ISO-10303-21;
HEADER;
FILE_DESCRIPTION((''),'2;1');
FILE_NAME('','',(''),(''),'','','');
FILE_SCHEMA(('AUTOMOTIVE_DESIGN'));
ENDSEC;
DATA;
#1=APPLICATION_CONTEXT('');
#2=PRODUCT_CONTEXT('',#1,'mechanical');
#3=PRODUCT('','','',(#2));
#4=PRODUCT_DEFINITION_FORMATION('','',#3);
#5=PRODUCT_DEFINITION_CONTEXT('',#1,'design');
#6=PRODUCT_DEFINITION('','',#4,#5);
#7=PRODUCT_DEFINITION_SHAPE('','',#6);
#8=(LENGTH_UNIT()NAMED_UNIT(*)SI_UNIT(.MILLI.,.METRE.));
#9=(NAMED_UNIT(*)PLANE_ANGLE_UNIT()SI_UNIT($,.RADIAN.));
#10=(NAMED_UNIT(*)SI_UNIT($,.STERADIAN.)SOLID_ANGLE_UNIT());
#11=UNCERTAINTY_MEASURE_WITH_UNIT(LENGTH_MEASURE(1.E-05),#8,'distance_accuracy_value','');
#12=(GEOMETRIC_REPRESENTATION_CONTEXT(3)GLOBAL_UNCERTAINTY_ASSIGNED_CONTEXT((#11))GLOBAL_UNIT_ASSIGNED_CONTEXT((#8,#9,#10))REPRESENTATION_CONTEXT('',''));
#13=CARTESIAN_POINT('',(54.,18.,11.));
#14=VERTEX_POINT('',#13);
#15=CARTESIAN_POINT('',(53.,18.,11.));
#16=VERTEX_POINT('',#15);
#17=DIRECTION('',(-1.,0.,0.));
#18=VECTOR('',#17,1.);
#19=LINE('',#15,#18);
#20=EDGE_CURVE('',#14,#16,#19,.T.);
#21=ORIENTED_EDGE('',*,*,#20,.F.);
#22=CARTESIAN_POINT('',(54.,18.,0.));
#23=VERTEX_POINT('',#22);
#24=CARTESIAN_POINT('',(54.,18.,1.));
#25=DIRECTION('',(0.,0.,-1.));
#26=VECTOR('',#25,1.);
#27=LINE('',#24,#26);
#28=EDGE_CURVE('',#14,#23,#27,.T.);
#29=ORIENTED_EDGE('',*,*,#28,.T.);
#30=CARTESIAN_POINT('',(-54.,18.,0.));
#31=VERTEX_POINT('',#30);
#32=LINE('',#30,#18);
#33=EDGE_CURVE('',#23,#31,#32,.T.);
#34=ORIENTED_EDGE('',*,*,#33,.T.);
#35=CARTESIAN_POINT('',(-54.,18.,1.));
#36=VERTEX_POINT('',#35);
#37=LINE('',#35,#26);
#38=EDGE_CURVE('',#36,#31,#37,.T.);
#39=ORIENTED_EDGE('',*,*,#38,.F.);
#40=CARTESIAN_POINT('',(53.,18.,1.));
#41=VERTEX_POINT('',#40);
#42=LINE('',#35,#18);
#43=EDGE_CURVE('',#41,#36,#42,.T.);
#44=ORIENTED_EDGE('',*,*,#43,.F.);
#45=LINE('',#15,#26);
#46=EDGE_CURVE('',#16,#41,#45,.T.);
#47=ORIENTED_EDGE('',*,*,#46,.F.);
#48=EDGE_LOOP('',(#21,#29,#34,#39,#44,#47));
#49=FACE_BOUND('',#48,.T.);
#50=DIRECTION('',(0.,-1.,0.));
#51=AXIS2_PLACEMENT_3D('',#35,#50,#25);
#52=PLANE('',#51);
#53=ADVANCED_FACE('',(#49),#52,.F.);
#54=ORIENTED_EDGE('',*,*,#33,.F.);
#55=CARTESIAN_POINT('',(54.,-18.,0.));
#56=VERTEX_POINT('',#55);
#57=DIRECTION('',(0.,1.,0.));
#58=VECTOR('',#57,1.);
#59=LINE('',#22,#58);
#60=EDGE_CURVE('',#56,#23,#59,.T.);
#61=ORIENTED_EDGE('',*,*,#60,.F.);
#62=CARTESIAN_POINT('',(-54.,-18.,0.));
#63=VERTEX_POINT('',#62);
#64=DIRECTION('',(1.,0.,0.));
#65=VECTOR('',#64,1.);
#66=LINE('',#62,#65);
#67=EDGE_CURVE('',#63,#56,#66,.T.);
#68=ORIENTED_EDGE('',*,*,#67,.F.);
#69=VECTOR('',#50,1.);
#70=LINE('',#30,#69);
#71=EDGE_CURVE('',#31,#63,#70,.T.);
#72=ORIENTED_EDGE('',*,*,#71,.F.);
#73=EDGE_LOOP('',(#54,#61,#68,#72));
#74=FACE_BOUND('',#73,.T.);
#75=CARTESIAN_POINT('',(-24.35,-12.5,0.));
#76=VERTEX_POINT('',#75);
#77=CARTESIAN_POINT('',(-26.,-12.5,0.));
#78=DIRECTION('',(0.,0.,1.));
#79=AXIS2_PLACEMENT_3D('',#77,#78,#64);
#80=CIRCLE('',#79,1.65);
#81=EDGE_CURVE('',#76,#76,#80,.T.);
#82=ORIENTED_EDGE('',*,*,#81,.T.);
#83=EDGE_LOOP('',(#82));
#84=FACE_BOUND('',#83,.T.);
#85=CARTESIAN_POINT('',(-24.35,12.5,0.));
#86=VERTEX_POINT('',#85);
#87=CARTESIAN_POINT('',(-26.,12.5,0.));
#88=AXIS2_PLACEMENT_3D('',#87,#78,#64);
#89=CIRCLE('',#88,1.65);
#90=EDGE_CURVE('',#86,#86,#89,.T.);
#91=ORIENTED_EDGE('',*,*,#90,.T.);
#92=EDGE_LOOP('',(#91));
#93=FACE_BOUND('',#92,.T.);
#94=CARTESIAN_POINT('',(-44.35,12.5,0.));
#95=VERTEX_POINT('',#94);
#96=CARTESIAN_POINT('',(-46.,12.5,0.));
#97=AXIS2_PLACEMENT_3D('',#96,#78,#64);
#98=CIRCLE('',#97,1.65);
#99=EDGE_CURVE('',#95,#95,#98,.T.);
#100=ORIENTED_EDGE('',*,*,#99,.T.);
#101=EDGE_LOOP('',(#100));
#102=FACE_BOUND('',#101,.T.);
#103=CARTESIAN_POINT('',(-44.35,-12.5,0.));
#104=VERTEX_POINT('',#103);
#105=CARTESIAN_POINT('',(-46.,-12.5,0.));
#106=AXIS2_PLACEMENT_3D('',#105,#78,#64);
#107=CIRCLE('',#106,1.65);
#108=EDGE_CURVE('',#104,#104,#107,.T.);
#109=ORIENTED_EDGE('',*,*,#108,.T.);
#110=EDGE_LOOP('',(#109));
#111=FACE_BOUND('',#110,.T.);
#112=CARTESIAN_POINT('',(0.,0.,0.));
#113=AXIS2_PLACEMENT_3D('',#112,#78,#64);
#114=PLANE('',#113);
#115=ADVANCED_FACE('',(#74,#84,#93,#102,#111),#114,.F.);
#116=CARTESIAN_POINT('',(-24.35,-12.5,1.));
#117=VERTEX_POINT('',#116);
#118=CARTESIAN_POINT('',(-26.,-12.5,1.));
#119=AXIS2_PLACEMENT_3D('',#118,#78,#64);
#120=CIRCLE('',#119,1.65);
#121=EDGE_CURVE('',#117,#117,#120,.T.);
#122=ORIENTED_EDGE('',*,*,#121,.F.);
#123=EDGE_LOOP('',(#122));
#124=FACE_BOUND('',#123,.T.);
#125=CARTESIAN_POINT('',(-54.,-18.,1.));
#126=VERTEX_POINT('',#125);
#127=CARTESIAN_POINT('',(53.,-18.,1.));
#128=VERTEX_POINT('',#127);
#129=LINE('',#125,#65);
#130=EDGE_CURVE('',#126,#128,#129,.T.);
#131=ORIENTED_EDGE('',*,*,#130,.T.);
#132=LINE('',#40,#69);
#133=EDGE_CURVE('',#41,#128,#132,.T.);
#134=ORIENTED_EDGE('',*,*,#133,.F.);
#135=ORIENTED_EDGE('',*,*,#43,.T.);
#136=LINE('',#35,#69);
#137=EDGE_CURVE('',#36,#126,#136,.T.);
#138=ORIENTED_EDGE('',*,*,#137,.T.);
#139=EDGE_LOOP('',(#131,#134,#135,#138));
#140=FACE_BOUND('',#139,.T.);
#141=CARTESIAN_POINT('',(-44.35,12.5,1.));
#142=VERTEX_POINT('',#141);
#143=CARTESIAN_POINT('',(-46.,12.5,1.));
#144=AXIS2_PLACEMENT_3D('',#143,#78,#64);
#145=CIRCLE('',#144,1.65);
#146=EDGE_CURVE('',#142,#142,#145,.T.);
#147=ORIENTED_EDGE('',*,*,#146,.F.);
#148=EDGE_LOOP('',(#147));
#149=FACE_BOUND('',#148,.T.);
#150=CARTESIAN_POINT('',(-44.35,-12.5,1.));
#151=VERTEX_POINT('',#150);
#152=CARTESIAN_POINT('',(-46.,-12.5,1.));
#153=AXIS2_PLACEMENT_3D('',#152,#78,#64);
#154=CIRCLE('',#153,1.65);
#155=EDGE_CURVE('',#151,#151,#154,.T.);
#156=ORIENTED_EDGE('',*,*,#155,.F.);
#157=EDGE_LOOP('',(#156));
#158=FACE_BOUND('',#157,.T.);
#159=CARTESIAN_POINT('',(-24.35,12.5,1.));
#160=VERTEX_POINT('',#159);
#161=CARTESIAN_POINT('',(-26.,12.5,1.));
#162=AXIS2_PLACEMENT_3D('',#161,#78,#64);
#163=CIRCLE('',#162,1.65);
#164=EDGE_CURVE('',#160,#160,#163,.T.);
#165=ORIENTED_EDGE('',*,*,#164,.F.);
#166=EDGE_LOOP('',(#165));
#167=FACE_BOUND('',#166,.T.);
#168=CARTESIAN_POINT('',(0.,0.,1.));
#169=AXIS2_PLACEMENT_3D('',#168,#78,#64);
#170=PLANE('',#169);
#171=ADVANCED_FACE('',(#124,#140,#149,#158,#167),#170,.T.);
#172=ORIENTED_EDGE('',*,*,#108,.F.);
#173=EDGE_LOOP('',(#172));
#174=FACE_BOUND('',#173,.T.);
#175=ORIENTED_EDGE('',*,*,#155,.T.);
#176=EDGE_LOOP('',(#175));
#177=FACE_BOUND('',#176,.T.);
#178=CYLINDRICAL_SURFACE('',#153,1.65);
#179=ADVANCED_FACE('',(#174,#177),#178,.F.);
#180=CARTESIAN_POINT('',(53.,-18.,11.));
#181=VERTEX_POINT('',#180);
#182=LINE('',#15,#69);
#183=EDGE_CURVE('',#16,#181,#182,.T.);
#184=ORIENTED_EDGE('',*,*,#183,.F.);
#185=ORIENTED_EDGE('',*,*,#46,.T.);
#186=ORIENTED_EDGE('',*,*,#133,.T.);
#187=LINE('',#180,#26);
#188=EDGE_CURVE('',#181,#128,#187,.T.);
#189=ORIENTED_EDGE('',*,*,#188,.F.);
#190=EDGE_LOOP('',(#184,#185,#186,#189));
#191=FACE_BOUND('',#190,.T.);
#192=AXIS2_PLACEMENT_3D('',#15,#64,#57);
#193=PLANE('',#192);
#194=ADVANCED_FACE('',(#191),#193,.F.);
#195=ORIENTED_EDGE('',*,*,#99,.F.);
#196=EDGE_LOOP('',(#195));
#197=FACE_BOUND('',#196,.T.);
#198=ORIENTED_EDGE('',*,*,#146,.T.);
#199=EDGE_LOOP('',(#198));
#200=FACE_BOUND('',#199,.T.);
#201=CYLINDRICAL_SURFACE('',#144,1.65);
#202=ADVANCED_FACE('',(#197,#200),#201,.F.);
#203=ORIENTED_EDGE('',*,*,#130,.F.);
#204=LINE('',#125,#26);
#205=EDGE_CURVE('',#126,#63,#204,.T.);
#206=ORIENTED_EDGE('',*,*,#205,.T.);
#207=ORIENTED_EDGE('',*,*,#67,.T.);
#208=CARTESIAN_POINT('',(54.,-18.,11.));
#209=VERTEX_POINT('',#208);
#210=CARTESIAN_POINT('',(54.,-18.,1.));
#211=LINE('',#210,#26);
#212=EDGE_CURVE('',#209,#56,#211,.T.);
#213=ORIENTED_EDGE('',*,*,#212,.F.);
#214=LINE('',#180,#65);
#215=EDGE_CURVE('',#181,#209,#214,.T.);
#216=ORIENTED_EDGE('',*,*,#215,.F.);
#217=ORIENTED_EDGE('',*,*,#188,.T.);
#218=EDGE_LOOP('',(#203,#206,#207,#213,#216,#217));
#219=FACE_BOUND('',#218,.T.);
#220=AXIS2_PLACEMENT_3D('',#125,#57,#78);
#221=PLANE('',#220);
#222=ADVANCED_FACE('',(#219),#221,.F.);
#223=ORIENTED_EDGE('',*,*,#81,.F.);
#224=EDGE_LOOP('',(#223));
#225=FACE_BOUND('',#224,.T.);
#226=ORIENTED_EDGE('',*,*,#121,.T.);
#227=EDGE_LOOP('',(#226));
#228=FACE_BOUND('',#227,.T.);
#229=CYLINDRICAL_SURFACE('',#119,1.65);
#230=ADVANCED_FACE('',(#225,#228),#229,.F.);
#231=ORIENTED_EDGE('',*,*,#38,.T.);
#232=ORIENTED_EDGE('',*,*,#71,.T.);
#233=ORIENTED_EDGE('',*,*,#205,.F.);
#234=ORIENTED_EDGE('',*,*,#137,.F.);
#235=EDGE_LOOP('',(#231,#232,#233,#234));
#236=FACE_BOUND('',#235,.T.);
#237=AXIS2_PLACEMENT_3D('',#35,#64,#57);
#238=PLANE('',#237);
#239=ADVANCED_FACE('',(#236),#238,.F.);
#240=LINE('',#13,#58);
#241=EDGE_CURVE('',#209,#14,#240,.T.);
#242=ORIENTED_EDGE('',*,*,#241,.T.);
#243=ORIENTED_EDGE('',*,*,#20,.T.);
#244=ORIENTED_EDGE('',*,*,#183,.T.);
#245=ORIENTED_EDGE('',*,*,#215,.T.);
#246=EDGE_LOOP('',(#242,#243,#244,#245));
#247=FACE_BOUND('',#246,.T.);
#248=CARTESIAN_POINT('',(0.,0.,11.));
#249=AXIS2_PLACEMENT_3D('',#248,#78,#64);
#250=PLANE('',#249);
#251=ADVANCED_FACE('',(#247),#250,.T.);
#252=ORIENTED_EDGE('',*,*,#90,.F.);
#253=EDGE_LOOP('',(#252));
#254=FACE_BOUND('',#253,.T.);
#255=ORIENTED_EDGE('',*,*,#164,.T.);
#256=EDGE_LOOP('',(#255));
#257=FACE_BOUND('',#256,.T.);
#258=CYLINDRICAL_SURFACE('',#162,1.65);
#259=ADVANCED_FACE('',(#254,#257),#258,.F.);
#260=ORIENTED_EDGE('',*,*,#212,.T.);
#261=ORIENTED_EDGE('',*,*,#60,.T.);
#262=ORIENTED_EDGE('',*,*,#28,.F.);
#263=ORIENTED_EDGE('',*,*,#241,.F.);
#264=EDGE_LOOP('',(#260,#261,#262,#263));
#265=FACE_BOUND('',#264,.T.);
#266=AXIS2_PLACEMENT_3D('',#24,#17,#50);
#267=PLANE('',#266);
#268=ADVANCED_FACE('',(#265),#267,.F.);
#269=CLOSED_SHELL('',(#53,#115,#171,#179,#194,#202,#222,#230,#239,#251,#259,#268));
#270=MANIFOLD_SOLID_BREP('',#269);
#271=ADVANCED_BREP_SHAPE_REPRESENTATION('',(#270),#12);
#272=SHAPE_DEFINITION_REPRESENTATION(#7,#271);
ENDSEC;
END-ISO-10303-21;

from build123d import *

# Parameters (mm, degrees)
SKETCH_1_W                  = 108
SKETCH_1_H                  = 36
EXTRUDE_1_DEPTH             = 1
HOLE_WIZARD_M4_1_AT_2_COUNT = 2
HOLE_WIZARD_M4_1_AT_2_PITCH = 20
SKETCH_4_W                  = 1
SKETCH_4_H                  = 36
EXTRUDE_2_DEPTH             = 10


with BuildPart() as part:
    # 草图1 → 凸台-拉伸1 (new body)
    with BuildSketch(Plane.XY):
        Rectangle(SKETCH_1_W, SKETCH_1_H)
    extrude(amount=EXTRUDE_1_DEPTH)

    # 草图3 → M4 螺纹孔的螺纹孔钻头1 (revolve, cut)
    with BuildSketch(Plane(origin=(-46, -12.5, 1), x_dir=(0, -1, 0), z_dir=(1, 0, 0))):
        Polygon((0, 0), (0, 10.991420021), (1.65, 10), (1.65, 0), align=None)
    hole_wizard_m4_1 = revolve(axis=Axis((-46, -12.5, 7.35), (0, 0, -1)), mode=Mode.SUBTRACT)

    # M4 螺纹孔的螺纹孔钻头1 at 2: M4 螺纹孔的螺纹孔钻头1 ×2
    with Locations(*[(i * HOLE_WIZARD_M4_1_AT_2_PITCH, 0, 0) for i in range(1, HOLE_WIZARD_M4_1_AT_2_COUNT)]):
        add(hole_wizard_m4_1, mode=Mode.SUBTRACT)

    # 镜向1: M4 螺纹孔的螺纹孔钻头1 across plane
    add(hole_wizard_m4_1.mirror(Plane.ZX), mode=Mode.SUBTRACT)

    # 镜向1 copy 1 sketch → 镜向1 copy 1 (revolve, cut)
    with BuildSketch(Plane(origin=(-26, 12.5, 1), x_dir=(0, 1, 0), z_dir=(1, 0, 0))):
        Polygon((0, 0), (0, -10.991420021), (1.65, -10), (1.65, 0), align=None)
    revolve(axis=Axis((-26, 12.5, 7.35), (0, 0, 1)), mode=Mode.SUBTRACT)

    # 草图4 → 凸台-拉伸2 (add)
    with BuildSketch(Plane.XY.offset(1)):
        with Locations((53.5, 0)):
            Rectangle(SKETCH_4_W, SKETCH_4_H)
    extrude(amount=EXTRUDE_2_DEPTH)


solid = part.part
